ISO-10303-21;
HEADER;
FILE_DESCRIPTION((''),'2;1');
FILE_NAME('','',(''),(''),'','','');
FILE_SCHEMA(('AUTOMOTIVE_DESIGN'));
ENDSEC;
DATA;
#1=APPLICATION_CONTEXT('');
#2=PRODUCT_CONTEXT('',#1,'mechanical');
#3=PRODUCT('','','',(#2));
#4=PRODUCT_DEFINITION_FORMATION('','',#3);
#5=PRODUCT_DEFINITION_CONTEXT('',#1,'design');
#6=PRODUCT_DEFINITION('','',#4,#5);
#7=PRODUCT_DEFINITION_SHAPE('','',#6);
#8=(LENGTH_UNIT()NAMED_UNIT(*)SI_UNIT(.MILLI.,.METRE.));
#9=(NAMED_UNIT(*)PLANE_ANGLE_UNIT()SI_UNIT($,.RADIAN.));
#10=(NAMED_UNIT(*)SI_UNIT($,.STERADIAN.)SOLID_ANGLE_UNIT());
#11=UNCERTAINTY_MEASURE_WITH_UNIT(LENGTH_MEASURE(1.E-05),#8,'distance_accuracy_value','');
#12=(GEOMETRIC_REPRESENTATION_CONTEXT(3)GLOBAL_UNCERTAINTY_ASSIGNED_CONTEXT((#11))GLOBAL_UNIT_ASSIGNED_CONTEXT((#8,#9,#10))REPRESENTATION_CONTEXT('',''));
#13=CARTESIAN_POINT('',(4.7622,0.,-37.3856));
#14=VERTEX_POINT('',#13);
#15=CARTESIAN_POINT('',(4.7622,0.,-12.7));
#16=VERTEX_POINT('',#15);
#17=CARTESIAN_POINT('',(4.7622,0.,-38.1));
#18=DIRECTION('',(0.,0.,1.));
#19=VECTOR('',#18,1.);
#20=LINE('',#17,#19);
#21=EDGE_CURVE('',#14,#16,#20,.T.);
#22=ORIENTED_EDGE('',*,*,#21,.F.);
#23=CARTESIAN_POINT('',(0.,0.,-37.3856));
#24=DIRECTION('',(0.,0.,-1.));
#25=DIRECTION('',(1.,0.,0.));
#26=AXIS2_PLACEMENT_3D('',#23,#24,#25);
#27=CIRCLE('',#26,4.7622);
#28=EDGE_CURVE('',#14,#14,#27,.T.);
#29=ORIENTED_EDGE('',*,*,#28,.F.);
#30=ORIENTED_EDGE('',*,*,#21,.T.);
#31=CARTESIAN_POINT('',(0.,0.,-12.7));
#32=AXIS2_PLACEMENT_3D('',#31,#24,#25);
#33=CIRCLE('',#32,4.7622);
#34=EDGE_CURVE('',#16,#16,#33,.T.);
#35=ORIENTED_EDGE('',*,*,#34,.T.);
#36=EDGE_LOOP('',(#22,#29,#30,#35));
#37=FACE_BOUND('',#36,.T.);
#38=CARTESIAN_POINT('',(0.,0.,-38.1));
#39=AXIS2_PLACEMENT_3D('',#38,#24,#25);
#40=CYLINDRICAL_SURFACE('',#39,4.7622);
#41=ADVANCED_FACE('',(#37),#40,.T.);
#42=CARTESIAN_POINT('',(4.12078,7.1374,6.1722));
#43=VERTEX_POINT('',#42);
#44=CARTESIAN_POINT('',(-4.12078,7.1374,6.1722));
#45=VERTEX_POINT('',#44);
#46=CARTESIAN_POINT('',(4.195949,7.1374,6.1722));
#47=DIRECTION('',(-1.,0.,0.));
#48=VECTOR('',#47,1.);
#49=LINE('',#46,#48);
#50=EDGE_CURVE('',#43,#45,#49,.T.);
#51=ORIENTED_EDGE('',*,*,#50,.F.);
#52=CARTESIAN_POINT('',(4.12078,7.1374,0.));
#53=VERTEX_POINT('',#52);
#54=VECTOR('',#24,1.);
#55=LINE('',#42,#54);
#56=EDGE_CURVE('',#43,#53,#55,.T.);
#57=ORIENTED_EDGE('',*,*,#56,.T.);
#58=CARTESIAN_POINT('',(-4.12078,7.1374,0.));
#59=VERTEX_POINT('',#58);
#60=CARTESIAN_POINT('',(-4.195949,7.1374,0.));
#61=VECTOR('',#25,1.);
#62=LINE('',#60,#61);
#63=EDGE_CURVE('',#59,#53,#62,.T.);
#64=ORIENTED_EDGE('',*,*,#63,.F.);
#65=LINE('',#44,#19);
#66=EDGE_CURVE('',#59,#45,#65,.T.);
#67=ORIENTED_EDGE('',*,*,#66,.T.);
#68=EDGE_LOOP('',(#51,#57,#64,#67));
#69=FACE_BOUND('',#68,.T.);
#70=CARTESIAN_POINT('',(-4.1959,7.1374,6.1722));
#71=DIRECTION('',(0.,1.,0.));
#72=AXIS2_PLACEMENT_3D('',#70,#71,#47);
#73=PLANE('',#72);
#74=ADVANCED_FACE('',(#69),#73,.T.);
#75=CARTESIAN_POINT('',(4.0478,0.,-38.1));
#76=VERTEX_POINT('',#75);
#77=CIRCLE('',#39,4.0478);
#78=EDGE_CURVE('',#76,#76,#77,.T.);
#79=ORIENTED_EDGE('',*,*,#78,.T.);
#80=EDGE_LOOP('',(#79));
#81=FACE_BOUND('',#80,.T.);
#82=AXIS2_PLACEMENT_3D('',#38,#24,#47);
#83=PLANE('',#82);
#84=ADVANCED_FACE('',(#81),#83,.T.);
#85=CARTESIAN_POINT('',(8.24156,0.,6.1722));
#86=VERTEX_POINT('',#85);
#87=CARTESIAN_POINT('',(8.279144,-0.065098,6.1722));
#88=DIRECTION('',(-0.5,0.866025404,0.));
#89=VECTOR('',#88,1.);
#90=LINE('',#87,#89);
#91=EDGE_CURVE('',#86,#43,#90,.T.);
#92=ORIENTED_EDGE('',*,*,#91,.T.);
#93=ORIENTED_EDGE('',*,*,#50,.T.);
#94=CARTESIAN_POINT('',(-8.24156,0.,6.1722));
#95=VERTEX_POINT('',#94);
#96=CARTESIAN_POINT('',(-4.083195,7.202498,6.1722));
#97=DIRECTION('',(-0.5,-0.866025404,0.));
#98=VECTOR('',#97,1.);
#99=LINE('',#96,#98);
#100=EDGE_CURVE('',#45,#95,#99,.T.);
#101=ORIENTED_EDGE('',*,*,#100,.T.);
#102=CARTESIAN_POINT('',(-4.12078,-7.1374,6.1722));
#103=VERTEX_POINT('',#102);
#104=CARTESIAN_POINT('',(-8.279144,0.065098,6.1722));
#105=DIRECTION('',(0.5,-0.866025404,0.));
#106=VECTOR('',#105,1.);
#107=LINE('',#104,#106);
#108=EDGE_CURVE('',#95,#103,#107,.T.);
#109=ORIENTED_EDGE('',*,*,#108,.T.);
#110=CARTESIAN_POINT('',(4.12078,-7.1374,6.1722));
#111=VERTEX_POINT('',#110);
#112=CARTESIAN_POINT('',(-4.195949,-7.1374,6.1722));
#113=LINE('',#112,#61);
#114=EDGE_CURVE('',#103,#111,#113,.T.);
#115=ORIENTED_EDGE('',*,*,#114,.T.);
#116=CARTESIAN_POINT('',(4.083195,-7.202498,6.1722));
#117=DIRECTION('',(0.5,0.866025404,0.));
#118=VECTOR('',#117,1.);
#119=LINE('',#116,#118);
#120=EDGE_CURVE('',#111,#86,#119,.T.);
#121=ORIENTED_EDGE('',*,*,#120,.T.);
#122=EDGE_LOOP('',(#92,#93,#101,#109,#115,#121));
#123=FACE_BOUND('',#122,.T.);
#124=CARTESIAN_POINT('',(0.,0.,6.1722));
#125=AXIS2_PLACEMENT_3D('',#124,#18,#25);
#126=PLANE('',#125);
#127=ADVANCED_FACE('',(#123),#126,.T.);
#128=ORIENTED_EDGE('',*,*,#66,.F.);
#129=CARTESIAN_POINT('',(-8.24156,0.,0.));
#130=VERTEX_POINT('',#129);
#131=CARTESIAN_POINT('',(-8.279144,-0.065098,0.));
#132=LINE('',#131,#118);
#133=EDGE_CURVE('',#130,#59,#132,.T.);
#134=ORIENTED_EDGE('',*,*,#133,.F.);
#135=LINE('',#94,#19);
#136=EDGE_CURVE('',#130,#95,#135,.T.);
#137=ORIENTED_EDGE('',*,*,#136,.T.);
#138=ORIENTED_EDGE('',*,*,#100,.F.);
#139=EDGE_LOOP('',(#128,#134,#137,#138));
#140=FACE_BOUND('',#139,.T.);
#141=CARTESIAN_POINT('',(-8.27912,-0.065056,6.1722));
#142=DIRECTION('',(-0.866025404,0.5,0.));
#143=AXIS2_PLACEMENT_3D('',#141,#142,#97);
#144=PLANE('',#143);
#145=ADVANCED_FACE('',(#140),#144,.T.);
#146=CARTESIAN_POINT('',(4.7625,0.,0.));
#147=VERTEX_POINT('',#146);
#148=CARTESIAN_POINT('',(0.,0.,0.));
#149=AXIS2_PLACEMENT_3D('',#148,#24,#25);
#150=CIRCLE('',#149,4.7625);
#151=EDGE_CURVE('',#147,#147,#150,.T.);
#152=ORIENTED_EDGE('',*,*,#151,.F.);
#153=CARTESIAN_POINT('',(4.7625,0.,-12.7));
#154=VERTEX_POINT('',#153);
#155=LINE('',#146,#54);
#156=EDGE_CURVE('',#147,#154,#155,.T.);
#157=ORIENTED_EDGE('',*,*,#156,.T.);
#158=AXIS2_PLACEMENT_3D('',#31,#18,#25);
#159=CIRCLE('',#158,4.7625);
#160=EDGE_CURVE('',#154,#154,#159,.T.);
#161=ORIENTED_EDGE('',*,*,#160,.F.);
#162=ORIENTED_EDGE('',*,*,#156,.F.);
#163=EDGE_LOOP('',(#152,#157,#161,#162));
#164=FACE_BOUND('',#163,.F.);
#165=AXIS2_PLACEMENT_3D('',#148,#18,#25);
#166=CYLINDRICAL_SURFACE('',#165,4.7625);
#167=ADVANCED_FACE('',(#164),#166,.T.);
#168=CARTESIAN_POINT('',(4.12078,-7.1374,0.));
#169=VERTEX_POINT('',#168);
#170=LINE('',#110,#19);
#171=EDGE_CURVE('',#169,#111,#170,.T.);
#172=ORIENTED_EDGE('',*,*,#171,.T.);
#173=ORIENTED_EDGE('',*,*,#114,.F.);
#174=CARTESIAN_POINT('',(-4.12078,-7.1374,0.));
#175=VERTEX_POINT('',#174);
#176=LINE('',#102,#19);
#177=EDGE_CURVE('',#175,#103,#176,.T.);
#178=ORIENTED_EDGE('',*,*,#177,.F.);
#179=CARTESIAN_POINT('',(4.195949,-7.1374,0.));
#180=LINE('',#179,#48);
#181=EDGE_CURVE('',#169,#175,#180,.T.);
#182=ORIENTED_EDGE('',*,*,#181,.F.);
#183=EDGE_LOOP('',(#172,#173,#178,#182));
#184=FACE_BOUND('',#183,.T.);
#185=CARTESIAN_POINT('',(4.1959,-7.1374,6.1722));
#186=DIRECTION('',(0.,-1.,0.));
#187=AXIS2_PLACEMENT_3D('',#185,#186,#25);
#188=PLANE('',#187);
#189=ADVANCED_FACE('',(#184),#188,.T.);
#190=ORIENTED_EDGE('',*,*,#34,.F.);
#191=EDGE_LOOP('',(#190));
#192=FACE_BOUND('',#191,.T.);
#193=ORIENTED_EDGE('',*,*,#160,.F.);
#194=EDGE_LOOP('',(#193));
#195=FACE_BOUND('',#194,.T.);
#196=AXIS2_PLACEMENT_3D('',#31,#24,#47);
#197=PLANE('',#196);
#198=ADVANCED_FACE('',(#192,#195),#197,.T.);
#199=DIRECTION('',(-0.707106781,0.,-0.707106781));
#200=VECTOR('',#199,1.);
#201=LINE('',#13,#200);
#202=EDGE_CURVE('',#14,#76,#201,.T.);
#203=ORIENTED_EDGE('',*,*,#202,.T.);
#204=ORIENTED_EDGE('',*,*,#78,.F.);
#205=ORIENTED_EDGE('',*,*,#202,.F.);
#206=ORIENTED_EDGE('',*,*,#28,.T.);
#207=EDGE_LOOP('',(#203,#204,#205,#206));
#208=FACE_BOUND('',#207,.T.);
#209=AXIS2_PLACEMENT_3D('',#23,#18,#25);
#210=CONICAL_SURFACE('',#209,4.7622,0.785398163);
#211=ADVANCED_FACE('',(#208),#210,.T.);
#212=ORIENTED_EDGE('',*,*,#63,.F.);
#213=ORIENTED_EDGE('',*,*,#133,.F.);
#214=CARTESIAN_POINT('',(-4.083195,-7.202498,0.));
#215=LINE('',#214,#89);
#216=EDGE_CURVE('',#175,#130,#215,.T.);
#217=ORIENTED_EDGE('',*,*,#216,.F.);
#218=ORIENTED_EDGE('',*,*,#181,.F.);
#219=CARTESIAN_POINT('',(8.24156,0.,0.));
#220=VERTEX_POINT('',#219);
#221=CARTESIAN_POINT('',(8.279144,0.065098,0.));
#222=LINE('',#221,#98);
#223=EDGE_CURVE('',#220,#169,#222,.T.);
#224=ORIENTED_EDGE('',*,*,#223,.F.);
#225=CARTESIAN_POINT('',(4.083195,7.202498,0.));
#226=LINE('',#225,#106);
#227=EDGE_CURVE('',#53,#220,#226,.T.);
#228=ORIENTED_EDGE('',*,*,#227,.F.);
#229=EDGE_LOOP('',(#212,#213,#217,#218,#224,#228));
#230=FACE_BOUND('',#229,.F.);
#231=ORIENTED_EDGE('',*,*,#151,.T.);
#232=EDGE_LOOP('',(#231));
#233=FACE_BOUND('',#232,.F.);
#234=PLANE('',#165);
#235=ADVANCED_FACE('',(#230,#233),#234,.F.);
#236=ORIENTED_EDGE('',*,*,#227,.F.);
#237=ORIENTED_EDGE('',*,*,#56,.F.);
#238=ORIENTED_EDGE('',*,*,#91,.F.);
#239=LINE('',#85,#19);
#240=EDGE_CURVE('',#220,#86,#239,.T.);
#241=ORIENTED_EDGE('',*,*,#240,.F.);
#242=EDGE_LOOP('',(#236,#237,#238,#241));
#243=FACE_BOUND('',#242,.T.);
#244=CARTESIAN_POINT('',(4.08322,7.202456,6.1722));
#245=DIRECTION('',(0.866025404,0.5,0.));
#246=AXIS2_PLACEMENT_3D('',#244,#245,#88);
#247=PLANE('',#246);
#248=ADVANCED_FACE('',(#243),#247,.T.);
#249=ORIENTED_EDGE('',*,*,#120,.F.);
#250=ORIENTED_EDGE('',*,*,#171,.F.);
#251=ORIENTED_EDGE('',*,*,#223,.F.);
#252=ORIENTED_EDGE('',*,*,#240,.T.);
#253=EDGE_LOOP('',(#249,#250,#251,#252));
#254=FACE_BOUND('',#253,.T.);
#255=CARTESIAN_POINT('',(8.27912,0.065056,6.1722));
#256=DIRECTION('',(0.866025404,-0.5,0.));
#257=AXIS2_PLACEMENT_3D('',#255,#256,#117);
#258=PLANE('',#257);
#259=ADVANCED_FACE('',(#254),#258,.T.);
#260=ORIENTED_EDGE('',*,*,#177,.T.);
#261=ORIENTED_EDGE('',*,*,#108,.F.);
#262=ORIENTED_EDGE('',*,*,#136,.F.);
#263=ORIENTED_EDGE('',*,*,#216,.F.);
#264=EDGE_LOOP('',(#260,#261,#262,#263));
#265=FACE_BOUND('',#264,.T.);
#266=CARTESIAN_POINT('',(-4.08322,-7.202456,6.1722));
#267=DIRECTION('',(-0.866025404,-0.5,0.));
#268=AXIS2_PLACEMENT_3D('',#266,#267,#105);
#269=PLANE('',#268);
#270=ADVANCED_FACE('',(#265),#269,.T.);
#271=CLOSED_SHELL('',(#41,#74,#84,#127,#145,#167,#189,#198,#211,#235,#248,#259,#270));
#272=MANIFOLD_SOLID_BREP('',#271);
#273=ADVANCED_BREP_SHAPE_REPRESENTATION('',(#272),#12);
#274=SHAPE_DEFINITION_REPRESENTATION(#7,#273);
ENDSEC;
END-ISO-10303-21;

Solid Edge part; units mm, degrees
sketch "Sketch1" plane through (0, 0, 0) normal (0, 0, 1) x (1, 0, 0)
  circle A0 centre (0, 0) radius 8.2794
  dimension "D1" = 16.5588
extrude "Protrusion1" add sketch "Sketch1" along normal blind 6.1722
sketch "Sketch2" plane through (0, 0, 0) normal (0, 0, -1) x (1, 0, 0)
  circle A0 centre (0, 0) radius 4.7625
extrude "Protrusion2" add sketch "Sketch2" along normal blind 38.1
sketch "Sketch3" plane through (0, 0, -38.1) normal (0, 0, -1) x (1, 0, 0)
  circle A0 centre (0, 0) radius 4.7622
extrude "Cutout1" cut sketch "Sketch3" against normal blind 25.4 flip side to cut
chamfer "Chamfer_1" distance 0.7144 angle 45 1 edges at (-4.7622, 0, -38.1)
sketch "Sketch4" plane through (0, 0, 6.1722) normal (0, 0, 1) x (1, 0, 0)
  line L0 (-4.1959, 7.1374) -> (4.1959, 7.1374)
  dimension "D1" = 14.2748
extrude "Cutout2" cut sketch "Sketch4" against normal up to next material side at (0, 7.1874, 6.1722)
pattern_circular "Pattern1" count 6 over 360 about axis through (0, 0, 6.1722) along (0, 0, 1) of "Cutout2"
properties part number "24100015"
